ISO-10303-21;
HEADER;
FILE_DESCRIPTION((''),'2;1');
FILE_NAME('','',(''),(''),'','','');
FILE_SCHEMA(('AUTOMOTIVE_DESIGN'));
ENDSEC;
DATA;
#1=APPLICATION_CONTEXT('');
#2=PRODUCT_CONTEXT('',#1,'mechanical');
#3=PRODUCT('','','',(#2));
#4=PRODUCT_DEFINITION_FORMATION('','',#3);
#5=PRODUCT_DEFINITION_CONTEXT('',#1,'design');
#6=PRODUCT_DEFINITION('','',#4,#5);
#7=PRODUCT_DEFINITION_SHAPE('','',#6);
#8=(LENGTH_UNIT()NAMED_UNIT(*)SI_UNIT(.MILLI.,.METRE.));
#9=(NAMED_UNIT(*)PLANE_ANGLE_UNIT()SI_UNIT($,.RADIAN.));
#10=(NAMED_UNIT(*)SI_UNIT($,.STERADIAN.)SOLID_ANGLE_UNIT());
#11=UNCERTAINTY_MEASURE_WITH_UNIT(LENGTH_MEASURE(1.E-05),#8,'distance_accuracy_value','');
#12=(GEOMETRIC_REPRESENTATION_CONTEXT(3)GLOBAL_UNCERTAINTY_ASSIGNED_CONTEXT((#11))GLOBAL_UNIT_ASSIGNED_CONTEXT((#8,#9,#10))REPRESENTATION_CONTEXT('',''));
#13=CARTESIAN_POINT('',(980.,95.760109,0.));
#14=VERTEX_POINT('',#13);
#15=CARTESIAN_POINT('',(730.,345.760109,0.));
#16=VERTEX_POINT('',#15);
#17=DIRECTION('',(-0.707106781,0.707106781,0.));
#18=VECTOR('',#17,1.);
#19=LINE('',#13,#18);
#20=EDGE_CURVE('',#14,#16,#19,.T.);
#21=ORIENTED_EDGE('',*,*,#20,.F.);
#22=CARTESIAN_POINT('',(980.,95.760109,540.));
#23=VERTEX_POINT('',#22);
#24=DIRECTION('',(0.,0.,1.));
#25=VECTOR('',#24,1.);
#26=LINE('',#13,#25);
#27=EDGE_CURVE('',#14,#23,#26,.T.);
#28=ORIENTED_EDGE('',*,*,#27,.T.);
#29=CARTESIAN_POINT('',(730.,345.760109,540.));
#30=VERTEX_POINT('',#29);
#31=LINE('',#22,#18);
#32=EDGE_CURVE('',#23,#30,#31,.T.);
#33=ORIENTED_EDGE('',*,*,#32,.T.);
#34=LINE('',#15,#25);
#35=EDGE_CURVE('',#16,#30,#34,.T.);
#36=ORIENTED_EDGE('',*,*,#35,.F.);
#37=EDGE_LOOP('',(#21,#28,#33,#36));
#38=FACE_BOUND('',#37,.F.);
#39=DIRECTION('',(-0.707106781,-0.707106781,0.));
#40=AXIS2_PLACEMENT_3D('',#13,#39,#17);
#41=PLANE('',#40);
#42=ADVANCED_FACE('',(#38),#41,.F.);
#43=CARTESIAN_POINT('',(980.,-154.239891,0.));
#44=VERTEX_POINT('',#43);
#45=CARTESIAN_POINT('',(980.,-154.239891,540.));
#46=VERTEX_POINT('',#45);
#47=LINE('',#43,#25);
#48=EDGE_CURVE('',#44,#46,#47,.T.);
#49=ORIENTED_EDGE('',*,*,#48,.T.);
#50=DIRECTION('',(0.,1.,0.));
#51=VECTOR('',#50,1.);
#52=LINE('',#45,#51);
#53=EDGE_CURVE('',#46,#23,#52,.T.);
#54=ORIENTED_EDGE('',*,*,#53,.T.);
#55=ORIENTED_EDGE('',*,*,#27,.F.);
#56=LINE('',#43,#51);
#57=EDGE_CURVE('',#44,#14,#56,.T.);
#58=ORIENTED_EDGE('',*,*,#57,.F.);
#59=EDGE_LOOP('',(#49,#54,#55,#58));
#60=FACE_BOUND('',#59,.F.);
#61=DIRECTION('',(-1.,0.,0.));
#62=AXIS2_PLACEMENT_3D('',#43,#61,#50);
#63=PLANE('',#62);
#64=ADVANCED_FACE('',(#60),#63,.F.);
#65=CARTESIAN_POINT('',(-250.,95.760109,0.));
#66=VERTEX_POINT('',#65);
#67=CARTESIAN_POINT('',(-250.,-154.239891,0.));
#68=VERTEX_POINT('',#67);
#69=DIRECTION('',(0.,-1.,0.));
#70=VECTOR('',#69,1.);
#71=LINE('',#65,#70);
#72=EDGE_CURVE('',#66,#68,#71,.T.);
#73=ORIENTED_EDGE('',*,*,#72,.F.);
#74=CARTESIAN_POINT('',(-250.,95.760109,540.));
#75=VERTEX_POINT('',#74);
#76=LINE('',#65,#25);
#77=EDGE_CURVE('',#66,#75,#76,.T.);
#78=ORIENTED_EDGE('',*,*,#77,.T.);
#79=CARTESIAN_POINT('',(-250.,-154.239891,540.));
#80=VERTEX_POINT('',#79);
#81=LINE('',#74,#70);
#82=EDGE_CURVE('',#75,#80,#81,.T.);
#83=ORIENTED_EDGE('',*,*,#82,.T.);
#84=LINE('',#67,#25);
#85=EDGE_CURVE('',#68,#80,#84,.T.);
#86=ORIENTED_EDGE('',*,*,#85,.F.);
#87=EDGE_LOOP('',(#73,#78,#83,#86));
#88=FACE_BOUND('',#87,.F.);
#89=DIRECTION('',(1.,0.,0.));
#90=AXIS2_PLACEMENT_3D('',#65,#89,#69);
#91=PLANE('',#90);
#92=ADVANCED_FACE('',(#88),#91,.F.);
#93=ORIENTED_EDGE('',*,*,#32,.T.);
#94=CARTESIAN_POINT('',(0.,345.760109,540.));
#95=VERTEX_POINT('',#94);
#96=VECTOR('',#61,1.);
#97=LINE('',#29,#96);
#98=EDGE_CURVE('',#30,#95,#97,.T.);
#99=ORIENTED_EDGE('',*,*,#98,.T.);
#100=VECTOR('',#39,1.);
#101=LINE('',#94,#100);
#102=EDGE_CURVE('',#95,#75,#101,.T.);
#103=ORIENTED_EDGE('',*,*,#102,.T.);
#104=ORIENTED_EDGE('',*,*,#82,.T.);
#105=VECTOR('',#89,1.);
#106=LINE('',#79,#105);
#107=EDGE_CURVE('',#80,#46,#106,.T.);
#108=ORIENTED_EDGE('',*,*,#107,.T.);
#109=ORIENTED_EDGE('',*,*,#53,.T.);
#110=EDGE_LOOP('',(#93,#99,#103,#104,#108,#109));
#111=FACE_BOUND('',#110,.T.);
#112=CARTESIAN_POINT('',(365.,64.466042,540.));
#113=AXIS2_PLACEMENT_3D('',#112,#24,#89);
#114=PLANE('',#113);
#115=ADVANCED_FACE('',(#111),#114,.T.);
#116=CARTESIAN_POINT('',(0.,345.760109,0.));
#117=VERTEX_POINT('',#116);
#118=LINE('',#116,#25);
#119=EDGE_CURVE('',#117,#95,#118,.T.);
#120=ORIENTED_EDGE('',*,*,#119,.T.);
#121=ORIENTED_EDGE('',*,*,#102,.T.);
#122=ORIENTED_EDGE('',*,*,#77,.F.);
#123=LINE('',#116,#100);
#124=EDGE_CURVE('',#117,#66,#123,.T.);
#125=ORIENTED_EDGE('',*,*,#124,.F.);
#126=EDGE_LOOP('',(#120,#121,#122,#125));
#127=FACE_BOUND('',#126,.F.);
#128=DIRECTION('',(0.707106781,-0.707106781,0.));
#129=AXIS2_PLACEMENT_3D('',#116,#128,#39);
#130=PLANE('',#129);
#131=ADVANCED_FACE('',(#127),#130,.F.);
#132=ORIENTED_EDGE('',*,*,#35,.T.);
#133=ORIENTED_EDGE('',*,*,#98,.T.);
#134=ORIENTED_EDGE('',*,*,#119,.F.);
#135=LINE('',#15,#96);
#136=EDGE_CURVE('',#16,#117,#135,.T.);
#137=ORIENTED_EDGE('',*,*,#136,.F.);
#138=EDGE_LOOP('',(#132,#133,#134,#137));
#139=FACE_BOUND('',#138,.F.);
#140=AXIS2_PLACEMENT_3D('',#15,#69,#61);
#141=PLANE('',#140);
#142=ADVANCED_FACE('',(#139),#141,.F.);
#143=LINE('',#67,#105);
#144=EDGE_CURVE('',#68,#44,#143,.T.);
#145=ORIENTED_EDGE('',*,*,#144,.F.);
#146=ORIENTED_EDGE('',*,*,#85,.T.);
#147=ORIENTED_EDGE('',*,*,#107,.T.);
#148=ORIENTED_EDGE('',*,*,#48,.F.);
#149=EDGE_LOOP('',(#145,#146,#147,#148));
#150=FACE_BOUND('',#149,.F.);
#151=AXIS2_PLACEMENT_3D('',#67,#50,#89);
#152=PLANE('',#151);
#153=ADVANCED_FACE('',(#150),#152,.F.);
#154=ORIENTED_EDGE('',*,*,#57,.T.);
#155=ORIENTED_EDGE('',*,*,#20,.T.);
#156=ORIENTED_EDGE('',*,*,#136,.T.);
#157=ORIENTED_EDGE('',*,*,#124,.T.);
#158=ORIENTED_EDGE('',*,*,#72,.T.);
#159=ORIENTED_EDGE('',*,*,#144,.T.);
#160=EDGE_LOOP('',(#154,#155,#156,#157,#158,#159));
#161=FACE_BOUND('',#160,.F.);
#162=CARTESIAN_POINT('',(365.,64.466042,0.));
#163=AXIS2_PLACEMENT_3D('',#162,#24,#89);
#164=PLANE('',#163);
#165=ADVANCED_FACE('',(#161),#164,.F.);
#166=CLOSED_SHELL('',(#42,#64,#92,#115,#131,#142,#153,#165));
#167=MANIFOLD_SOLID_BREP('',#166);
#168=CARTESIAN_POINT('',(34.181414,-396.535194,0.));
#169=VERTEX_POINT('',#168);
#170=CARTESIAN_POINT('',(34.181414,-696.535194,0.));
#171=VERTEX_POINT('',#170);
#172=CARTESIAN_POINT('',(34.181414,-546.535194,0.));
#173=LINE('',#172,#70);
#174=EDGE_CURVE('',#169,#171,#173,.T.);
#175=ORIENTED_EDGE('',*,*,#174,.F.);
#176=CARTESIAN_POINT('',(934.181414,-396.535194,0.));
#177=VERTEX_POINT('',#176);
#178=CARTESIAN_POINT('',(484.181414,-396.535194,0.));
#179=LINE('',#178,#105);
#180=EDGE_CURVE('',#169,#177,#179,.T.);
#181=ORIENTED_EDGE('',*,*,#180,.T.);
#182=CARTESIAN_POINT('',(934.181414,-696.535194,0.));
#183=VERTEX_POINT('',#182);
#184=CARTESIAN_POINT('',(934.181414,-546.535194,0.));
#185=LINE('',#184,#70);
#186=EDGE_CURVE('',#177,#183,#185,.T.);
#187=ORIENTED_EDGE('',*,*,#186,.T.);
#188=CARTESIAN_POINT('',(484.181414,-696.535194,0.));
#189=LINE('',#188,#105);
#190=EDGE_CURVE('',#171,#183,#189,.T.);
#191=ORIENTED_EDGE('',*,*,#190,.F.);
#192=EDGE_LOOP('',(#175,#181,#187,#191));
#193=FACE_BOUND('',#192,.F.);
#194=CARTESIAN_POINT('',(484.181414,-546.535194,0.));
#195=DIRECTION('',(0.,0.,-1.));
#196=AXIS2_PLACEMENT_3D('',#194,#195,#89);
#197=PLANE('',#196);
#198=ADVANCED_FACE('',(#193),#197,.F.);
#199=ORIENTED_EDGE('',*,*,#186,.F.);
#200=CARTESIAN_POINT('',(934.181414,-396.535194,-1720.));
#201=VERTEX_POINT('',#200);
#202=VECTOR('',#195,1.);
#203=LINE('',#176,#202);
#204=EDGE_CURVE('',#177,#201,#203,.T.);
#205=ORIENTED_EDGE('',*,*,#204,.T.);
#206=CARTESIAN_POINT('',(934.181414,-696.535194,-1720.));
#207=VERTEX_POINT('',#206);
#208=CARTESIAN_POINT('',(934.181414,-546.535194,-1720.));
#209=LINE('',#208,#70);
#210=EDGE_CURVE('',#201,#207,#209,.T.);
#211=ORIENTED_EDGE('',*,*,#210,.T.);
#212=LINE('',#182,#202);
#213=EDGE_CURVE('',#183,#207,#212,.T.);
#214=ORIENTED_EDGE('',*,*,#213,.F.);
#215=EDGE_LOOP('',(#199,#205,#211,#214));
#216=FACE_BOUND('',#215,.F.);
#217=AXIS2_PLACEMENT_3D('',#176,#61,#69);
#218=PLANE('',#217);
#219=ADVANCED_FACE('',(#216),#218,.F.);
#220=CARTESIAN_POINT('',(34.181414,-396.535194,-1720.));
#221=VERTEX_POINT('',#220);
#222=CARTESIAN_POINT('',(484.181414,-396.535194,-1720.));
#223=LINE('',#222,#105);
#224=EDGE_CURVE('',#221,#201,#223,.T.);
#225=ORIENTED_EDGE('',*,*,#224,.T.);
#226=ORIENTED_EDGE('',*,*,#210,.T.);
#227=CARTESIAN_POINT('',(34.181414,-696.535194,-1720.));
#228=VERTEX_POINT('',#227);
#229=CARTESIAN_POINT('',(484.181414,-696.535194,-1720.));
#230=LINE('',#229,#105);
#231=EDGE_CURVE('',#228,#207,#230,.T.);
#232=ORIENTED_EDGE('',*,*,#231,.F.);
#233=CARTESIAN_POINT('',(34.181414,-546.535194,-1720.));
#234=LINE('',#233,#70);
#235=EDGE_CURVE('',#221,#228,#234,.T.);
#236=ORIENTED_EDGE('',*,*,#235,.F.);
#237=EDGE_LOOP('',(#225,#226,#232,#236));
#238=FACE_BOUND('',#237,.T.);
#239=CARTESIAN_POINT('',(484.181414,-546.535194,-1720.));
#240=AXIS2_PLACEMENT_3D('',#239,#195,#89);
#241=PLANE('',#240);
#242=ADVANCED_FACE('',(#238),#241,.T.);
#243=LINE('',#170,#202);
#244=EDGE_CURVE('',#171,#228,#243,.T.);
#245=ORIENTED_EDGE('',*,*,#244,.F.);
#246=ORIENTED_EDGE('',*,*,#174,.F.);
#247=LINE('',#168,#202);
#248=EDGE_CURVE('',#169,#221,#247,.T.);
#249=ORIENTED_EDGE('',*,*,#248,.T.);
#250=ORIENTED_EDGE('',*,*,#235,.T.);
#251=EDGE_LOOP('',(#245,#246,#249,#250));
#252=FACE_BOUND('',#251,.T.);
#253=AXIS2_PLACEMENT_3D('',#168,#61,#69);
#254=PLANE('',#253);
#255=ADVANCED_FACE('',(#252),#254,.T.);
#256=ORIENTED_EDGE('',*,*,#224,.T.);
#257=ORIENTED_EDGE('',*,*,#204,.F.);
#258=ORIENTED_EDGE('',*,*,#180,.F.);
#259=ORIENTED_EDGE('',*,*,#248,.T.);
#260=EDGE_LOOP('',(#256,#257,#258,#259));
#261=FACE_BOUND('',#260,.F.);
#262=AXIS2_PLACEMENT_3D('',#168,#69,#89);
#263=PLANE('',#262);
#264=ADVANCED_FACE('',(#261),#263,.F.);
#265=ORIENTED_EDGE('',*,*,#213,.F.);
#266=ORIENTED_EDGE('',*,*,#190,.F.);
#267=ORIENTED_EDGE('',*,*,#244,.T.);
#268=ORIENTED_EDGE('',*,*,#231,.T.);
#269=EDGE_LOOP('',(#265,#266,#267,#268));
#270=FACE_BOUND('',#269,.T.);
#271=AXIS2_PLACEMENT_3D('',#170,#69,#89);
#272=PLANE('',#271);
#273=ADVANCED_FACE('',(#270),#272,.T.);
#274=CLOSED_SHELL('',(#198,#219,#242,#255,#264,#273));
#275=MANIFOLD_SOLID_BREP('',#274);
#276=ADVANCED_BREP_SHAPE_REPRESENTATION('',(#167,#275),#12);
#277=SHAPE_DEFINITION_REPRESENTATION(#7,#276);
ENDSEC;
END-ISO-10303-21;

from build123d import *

# Parameters (mm, degrees)
F1_DEPTH = 540
F2_W     = 900
F2_H     = 300
F3_DEPTH = 1720


with BuildPart() as f1:
    # F0 (on Top) → F1 (new body)
    with BuildSketch(Plane.XY):
        Polygon((-250, 95.760109), (-250, -154.239891), (980, -154.239891), (980, 95.760109), (730, 345.760109), (0, 345.760109), align=None)
    extrude(amount=F1_DEPTH)


with BuildPart() as f3:
    # F2 (on face) → F3 (new body)
    with BuildSketch(Plane(origin=(0, 0, 0), x_dir=(1, 0, 0), z_dir=(0, 0, -1))):
        with Locations((484.181414, 546.535194)):
            Rectangle(F2_W, F2_H)
    extrude(amount=F3_DEPTH)


solid = Compound([f1.part, f3.part])
